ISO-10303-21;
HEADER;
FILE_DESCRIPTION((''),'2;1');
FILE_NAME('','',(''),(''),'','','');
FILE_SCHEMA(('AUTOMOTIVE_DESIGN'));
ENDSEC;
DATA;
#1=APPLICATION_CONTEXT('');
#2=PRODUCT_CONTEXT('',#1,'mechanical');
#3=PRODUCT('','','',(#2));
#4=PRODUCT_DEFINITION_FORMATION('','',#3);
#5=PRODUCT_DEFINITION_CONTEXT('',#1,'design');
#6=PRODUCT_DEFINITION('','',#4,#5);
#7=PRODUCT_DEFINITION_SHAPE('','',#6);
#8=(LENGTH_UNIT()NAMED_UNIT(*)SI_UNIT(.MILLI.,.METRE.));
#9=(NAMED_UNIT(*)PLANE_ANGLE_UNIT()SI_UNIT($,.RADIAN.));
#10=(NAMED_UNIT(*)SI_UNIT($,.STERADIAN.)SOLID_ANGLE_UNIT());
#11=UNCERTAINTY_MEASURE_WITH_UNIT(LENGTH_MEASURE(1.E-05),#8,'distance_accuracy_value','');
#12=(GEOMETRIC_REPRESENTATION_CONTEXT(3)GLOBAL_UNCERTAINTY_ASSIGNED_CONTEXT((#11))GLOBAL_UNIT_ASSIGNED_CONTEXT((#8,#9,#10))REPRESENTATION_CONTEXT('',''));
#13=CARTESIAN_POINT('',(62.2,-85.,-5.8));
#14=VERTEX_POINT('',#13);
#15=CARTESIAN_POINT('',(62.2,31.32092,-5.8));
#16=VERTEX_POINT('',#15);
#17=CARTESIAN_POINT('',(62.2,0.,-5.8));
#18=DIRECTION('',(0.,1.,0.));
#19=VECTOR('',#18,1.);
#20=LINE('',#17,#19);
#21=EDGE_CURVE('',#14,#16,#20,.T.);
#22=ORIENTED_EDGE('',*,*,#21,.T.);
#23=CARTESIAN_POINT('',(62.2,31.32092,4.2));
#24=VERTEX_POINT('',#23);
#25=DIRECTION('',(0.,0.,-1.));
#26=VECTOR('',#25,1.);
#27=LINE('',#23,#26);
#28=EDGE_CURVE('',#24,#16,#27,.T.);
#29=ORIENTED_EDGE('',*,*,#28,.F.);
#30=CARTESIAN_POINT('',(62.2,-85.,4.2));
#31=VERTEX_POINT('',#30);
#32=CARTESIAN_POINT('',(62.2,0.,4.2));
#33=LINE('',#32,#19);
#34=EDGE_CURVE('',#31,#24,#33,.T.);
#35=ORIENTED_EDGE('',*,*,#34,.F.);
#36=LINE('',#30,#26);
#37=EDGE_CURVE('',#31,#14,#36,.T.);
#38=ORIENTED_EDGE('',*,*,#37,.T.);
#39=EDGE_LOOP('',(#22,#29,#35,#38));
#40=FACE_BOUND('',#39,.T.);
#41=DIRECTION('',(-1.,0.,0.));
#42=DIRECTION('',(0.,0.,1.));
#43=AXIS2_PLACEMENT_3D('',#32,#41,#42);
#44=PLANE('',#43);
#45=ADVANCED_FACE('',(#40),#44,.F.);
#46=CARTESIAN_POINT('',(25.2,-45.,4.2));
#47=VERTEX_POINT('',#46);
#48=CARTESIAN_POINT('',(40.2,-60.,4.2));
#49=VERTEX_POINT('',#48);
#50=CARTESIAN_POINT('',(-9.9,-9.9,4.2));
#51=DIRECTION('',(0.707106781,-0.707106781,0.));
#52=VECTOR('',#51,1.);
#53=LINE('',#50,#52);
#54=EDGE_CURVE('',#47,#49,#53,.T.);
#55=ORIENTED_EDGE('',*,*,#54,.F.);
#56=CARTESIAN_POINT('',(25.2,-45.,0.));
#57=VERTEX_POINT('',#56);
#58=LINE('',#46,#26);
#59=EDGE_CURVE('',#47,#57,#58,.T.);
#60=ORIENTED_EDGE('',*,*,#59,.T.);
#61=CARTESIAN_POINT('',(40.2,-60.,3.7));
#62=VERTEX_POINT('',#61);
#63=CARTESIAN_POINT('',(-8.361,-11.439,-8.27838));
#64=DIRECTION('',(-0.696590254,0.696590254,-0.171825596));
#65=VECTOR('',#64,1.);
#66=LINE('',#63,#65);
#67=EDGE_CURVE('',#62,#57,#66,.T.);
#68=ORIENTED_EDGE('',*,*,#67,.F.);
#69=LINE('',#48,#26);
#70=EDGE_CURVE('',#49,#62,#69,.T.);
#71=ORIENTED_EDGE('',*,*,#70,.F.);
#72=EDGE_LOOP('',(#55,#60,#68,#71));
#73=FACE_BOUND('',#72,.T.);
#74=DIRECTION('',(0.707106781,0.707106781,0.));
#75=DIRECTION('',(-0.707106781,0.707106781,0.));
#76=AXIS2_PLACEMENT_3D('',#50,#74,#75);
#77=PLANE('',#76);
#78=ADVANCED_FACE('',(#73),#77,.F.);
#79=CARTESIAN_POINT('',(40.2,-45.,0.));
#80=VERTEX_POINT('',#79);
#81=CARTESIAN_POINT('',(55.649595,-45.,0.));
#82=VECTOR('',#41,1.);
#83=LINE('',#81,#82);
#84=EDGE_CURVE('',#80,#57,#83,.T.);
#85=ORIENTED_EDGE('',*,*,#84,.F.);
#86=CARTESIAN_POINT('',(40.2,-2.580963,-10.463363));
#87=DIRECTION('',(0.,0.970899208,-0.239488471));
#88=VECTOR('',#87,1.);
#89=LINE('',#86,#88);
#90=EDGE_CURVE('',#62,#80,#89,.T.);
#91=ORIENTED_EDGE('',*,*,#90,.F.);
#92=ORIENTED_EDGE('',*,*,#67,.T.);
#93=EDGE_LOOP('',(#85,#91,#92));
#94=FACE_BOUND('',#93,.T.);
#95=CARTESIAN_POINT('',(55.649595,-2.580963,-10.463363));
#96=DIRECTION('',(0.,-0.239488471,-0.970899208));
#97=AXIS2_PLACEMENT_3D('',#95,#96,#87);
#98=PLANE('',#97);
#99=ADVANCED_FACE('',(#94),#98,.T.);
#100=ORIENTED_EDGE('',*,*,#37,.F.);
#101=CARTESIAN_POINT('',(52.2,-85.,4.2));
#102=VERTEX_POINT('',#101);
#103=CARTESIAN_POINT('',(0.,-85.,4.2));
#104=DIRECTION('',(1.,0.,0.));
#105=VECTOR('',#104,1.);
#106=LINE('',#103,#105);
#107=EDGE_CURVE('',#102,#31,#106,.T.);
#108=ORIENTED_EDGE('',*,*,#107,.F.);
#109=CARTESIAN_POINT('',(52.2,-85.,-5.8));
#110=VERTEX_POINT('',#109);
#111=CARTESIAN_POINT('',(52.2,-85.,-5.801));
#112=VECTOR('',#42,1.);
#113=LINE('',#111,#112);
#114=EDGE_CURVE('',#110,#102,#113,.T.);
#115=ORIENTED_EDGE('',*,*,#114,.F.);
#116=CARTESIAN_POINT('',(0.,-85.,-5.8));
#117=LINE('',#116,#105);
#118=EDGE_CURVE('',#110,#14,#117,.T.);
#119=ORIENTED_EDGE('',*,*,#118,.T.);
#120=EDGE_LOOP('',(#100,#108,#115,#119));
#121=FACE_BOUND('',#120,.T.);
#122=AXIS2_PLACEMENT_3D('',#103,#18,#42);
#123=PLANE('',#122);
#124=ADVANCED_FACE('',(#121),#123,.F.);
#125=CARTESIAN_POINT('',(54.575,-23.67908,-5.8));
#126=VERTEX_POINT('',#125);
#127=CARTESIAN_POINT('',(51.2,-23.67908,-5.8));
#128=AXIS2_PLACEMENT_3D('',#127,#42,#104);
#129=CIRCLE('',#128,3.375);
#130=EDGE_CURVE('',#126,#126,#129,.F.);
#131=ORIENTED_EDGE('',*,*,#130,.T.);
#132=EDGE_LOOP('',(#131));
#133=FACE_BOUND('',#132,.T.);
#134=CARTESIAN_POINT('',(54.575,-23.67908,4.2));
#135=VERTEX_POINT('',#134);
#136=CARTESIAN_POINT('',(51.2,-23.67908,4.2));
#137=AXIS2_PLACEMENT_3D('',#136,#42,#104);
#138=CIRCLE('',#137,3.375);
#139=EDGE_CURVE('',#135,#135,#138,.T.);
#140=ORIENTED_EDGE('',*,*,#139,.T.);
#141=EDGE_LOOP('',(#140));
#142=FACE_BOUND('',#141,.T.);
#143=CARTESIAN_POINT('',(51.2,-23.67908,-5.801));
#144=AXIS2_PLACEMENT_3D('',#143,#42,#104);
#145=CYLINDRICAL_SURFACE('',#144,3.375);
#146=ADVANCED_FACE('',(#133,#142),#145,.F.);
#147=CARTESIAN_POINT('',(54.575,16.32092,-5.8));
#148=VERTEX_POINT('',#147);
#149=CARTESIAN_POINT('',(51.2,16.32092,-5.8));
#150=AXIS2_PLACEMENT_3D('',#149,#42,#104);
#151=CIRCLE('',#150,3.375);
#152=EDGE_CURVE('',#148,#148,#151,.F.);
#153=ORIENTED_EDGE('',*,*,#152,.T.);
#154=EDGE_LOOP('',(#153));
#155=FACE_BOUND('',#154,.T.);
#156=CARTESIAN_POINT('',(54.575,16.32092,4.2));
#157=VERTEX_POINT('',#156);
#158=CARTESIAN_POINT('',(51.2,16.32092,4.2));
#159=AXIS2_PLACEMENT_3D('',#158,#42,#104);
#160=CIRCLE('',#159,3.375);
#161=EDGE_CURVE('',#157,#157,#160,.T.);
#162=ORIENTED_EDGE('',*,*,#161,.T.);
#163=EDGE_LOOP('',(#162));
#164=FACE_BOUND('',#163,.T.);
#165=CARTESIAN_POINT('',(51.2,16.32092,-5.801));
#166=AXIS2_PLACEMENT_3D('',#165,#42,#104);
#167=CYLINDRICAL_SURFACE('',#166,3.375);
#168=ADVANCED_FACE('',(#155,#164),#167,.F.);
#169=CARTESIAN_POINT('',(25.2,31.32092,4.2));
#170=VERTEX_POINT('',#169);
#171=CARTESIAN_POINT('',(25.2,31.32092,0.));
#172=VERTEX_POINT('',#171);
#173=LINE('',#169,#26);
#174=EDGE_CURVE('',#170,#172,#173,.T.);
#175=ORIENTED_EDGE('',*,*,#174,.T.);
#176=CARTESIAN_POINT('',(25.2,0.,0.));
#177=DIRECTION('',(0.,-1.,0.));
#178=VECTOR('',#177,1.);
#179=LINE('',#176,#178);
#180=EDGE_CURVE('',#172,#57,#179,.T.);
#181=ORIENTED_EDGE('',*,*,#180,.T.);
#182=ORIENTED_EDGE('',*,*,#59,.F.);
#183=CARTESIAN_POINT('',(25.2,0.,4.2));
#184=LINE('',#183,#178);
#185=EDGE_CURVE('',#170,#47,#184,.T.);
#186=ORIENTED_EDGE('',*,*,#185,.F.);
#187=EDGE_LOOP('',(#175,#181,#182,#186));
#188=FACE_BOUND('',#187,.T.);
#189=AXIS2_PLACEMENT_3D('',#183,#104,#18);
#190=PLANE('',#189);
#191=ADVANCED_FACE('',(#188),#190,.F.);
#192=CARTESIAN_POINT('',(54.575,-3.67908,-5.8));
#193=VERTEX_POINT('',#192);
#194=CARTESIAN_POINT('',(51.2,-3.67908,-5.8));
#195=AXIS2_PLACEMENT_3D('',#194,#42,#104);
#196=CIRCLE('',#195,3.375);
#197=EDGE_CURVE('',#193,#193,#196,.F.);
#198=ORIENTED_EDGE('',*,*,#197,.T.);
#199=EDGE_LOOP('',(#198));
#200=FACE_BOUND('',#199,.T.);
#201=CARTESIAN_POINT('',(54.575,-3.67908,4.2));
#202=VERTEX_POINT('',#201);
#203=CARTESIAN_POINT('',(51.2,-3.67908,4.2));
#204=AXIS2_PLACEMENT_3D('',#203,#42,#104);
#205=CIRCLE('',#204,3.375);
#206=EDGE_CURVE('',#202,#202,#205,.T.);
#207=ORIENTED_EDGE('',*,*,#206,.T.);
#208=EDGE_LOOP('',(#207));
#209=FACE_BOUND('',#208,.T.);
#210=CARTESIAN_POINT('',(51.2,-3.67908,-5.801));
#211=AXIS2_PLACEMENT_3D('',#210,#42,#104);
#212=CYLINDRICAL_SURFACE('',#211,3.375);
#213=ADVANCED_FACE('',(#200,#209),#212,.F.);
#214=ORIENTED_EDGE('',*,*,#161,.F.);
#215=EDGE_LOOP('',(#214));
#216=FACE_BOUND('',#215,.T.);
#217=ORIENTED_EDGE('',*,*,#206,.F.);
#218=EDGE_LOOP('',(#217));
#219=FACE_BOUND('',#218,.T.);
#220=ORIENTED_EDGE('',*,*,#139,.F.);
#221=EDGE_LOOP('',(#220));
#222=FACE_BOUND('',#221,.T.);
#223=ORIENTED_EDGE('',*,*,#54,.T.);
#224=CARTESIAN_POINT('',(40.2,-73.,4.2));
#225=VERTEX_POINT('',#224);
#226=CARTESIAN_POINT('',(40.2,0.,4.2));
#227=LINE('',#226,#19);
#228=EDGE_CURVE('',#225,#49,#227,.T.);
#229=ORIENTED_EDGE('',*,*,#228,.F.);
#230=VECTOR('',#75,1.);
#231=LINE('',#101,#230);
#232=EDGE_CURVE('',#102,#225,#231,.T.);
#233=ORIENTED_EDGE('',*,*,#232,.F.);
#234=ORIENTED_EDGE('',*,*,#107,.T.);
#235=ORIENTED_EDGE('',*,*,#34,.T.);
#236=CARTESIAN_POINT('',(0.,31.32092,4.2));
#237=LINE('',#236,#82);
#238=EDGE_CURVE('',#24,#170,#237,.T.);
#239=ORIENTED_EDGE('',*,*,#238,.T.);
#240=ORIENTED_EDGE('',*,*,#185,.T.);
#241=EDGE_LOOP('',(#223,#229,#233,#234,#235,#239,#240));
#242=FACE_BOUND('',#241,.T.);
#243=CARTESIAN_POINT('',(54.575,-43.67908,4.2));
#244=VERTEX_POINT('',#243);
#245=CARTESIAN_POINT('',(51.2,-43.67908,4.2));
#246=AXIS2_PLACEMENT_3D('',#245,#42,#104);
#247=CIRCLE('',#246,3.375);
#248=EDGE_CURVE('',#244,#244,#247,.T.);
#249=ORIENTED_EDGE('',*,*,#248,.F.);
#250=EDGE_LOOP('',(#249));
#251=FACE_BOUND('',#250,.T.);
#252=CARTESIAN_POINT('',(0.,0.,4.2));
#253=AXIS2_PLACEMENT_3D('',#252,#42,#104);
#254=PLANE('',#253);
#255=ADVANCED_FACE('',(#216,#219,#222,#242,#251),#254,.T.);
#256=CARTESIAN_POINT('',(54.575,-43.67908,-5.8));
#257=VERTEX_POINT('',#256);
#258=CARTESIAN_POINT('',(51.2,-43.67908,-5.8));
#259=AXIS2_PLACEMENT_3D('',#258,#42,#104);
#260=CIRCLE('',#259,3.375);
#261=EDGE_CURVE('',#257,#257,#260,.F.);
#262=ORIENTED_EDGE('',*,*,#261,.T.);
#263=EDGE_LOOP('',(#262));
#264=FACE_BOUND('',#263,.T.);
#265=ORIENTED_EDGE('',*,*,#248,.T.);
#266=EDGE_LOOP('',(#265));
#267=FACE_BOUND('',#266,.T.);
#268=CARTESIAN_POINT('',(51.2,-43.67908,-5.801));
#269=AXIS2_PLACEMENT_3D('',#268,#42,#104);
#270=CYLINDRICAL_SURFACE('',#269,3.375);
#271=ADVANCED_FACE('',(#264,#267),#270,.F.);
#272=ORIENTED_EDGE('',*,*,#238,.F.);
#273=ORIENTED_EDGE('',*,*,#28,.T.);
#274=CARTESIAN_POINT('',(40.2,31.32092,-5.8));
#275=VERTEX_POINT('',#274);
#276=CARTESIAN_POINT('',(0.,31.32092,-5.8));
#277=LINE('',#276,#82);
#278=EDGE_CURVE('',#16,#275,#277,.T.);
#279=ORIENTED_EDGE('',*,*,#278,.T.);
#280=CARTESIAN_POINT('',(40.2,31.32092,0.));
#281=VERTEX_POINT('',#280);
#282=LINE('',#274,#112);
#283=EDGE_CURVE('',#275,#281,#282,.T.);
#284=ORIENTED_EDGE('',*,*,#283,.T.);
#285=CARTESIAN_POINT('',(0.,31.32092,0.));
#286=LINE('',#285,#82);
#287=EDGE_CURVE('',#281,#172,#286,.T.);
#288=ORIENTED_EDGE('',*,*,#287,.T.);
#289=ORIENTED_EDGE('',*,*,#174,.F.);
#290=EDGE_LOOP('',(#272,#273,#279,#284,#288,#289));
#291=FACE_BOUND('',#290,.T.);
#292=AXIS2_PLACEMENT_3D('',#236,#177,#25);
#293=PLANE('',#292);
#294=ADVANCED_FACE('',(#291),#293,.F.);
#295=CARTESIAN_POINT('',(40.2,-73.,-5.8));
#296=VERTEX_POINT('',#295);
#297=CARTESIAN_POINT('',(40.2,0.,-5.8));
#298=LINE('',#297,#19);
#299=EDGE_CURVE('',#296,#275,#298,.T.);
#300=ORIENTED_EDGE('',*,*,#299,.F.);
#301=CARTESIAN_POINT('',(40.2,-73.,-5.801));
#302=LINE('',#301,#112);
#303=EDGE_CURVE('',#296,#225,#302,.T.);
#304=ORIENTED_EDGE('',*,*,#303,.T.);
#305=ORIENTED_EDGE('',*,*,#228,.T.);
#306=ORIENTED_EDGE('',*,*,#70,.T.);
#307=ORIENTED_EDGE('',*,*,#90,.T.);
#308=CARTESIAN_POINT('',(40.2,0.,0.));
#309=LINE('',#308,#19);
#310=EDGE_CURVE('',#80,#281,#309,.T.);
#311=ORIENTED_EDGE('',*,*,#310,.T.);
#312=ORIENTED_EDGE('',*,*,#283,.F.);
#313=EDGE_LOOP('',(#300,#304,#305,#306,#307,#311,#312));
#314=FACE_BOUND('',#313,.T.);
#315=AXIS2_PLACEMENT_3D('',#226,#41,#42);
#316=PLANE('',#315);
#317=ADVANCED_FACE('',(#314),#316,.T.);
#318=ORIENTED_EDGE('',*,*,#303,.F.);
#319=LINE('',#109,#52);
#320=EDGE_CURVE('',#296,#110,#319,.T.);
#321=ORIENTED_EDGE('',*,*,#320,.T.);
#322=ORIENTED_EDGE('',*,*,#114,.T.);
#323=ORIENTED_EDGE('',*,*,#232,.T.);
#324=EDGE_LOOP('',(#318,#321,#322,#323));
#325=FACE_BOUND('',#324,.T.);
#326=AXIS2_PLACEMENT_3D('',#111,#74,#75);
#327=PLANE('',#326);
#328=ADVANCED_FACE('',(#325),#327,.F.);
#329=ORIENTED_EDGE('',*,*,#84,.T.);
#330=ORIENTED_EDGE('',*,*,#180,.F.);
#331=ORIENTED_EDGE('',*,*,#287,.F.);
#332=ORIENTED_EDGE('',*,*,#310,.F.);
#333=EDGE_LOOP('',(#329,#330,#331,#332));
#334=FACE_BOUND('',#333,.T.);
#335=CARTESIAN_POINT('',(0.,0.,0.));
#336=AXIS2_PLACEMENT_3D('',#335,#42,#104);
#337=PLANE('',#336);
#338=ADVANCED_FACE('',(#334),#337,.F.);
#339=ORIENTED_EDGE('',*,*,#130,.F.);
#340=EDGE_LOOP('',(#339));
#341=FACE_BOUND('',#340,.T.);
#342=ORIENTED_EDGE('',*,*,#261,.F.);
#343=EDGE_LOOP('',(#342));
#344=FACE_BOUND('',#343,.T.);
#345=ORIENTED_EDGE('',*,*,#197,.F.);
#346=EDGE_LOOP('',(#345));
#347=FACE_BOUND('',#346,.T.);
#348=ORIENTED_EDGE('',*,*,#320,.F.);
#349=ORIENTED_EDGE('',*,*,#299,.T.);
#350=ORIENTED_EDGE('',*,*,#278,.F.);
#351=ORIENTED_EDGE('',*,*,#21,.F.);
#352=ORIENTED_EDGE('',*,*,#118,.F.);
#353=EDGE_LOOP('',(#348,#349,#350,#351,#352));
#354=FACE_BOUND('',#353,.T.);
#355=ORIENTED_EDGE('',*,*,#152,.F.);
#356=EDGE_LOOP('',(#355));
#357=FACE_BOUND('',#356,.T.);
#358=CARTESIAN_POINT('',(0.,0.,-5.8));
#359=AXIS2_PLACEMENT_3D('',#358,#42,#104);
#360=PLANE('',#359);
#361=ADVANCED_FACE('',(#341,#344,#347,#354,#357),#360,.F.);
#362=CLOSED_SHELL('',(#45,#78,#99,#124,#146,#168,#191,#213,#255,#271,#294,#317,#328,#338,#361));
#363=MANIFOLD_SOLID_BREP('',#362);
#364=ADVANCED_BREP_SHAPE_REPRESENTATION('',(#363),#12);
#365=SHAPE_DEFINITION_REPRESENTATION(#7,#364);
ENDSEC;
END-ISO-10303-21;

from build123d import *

# Parameters (mm, degrees)
BOSS_EXTRUDE1_DEPTH = 4.2
BOSS_EXTRUDE2_DEPTH = 5.8
CUT_EXTRUDE1_REACH  = 107.801
SKETCH2_R           = 3.375
LPATTERN1_COUNT     = 4
LPATTERN1_PITCH     = 20
CUT_EXTRUDE2_REACH  = 107.801
CUT_EXTRUDE3_DEPTH  = 15


with BuildPart() as part:
    # Sketch1 → Boss-Extrude1 (new body)
    with BuildSketch(Plane.XY):
        Polygon((40.2, 31.320919527), (25.2, 31.320919527), (25.2, -45), (40.2, -60), align=None)
        Polygon((62.2, 31.320919527), (40.2, 31.320919527), (40.2, -60), (40.2, -85), (62.2, -85), align=None)
    extrude(amount=BOSS_EXTRUDE1_DEPTH)

    # Sketch1<3> → Boss-Extrude2 (add)
    with BuildSketch(Plane.XY):
        Polygon((62.2, 31.320919527), (40.2, 31.320919527), (40.2, -60), (40.2, -85), (62.2, -85), align=None)
    extrude(amount=-BOSS_EXTRUDE2_DEPTH)

    # Sketch2 → Cut-Extrude1 (cut, up to next)
    with BuildSketch(Plane.XY.offset(4.2), mode=Mode.PRIVATE) as cut_extrude1_sk1:
        with Locations((51.2, 16.320919527)):
            Circle(SKETCH2_R)
    cut_extrude1_tool1 = extrude(cut_extrude1_sk1.sketch, amount=-CUT_EXTRUDE1_REACH, mode=Mode.PRIVATE) & part.part
    cut_extrude1 = cut_extrude1_tool1.solids().sort_by_distance((51.2, 16.32092, 4.2))[0]
    add(cut_extrude1, mode=Mode.SUBTRACT)

    # LPattern1: Cut-Extrude1 ×4
    with Locations(*[(0, -i * LPATTERN1_PITCH, 0) for i in range(1, LPATTERN1_COUNT)]):
        add(cut_extrude1, mode=Mode.SUBTRACT)

    # Sketch4 → Cut-Extrude2 (cut, up to next)
    with BuildSketch(Plane.XY.offset(4.2), mode=Mode.PRIVATE) as cut_extrude2_sk1:
        Polygon((52.2, -85), (40.2, -73), (40.2, -85), align=None)
    cut_extrude2_tool1 = extrude(cut_extrude2_sk1.sketch, amount=-CUT_EXTRUDE2_REACH, mode=Mode.PRIVATE) & part.part
    add(cut_extrude2_tool1.solids().sort_by_distance((44.2, -81, 4.2))[0], mode=Mode.SUBTRACT)

    # Sketch6 → Cut-Extrude3 (cut)
    with BuildSketch(Plane.ZY.offset(-25.2)):
        Polygon((3.7, -60), (0, -45), (0, -60), align=None)
    extrude(amount=-CUT_EXTRUDE3_DEPTH, mode=Mode.SUBTRACT)


solid = part.part
